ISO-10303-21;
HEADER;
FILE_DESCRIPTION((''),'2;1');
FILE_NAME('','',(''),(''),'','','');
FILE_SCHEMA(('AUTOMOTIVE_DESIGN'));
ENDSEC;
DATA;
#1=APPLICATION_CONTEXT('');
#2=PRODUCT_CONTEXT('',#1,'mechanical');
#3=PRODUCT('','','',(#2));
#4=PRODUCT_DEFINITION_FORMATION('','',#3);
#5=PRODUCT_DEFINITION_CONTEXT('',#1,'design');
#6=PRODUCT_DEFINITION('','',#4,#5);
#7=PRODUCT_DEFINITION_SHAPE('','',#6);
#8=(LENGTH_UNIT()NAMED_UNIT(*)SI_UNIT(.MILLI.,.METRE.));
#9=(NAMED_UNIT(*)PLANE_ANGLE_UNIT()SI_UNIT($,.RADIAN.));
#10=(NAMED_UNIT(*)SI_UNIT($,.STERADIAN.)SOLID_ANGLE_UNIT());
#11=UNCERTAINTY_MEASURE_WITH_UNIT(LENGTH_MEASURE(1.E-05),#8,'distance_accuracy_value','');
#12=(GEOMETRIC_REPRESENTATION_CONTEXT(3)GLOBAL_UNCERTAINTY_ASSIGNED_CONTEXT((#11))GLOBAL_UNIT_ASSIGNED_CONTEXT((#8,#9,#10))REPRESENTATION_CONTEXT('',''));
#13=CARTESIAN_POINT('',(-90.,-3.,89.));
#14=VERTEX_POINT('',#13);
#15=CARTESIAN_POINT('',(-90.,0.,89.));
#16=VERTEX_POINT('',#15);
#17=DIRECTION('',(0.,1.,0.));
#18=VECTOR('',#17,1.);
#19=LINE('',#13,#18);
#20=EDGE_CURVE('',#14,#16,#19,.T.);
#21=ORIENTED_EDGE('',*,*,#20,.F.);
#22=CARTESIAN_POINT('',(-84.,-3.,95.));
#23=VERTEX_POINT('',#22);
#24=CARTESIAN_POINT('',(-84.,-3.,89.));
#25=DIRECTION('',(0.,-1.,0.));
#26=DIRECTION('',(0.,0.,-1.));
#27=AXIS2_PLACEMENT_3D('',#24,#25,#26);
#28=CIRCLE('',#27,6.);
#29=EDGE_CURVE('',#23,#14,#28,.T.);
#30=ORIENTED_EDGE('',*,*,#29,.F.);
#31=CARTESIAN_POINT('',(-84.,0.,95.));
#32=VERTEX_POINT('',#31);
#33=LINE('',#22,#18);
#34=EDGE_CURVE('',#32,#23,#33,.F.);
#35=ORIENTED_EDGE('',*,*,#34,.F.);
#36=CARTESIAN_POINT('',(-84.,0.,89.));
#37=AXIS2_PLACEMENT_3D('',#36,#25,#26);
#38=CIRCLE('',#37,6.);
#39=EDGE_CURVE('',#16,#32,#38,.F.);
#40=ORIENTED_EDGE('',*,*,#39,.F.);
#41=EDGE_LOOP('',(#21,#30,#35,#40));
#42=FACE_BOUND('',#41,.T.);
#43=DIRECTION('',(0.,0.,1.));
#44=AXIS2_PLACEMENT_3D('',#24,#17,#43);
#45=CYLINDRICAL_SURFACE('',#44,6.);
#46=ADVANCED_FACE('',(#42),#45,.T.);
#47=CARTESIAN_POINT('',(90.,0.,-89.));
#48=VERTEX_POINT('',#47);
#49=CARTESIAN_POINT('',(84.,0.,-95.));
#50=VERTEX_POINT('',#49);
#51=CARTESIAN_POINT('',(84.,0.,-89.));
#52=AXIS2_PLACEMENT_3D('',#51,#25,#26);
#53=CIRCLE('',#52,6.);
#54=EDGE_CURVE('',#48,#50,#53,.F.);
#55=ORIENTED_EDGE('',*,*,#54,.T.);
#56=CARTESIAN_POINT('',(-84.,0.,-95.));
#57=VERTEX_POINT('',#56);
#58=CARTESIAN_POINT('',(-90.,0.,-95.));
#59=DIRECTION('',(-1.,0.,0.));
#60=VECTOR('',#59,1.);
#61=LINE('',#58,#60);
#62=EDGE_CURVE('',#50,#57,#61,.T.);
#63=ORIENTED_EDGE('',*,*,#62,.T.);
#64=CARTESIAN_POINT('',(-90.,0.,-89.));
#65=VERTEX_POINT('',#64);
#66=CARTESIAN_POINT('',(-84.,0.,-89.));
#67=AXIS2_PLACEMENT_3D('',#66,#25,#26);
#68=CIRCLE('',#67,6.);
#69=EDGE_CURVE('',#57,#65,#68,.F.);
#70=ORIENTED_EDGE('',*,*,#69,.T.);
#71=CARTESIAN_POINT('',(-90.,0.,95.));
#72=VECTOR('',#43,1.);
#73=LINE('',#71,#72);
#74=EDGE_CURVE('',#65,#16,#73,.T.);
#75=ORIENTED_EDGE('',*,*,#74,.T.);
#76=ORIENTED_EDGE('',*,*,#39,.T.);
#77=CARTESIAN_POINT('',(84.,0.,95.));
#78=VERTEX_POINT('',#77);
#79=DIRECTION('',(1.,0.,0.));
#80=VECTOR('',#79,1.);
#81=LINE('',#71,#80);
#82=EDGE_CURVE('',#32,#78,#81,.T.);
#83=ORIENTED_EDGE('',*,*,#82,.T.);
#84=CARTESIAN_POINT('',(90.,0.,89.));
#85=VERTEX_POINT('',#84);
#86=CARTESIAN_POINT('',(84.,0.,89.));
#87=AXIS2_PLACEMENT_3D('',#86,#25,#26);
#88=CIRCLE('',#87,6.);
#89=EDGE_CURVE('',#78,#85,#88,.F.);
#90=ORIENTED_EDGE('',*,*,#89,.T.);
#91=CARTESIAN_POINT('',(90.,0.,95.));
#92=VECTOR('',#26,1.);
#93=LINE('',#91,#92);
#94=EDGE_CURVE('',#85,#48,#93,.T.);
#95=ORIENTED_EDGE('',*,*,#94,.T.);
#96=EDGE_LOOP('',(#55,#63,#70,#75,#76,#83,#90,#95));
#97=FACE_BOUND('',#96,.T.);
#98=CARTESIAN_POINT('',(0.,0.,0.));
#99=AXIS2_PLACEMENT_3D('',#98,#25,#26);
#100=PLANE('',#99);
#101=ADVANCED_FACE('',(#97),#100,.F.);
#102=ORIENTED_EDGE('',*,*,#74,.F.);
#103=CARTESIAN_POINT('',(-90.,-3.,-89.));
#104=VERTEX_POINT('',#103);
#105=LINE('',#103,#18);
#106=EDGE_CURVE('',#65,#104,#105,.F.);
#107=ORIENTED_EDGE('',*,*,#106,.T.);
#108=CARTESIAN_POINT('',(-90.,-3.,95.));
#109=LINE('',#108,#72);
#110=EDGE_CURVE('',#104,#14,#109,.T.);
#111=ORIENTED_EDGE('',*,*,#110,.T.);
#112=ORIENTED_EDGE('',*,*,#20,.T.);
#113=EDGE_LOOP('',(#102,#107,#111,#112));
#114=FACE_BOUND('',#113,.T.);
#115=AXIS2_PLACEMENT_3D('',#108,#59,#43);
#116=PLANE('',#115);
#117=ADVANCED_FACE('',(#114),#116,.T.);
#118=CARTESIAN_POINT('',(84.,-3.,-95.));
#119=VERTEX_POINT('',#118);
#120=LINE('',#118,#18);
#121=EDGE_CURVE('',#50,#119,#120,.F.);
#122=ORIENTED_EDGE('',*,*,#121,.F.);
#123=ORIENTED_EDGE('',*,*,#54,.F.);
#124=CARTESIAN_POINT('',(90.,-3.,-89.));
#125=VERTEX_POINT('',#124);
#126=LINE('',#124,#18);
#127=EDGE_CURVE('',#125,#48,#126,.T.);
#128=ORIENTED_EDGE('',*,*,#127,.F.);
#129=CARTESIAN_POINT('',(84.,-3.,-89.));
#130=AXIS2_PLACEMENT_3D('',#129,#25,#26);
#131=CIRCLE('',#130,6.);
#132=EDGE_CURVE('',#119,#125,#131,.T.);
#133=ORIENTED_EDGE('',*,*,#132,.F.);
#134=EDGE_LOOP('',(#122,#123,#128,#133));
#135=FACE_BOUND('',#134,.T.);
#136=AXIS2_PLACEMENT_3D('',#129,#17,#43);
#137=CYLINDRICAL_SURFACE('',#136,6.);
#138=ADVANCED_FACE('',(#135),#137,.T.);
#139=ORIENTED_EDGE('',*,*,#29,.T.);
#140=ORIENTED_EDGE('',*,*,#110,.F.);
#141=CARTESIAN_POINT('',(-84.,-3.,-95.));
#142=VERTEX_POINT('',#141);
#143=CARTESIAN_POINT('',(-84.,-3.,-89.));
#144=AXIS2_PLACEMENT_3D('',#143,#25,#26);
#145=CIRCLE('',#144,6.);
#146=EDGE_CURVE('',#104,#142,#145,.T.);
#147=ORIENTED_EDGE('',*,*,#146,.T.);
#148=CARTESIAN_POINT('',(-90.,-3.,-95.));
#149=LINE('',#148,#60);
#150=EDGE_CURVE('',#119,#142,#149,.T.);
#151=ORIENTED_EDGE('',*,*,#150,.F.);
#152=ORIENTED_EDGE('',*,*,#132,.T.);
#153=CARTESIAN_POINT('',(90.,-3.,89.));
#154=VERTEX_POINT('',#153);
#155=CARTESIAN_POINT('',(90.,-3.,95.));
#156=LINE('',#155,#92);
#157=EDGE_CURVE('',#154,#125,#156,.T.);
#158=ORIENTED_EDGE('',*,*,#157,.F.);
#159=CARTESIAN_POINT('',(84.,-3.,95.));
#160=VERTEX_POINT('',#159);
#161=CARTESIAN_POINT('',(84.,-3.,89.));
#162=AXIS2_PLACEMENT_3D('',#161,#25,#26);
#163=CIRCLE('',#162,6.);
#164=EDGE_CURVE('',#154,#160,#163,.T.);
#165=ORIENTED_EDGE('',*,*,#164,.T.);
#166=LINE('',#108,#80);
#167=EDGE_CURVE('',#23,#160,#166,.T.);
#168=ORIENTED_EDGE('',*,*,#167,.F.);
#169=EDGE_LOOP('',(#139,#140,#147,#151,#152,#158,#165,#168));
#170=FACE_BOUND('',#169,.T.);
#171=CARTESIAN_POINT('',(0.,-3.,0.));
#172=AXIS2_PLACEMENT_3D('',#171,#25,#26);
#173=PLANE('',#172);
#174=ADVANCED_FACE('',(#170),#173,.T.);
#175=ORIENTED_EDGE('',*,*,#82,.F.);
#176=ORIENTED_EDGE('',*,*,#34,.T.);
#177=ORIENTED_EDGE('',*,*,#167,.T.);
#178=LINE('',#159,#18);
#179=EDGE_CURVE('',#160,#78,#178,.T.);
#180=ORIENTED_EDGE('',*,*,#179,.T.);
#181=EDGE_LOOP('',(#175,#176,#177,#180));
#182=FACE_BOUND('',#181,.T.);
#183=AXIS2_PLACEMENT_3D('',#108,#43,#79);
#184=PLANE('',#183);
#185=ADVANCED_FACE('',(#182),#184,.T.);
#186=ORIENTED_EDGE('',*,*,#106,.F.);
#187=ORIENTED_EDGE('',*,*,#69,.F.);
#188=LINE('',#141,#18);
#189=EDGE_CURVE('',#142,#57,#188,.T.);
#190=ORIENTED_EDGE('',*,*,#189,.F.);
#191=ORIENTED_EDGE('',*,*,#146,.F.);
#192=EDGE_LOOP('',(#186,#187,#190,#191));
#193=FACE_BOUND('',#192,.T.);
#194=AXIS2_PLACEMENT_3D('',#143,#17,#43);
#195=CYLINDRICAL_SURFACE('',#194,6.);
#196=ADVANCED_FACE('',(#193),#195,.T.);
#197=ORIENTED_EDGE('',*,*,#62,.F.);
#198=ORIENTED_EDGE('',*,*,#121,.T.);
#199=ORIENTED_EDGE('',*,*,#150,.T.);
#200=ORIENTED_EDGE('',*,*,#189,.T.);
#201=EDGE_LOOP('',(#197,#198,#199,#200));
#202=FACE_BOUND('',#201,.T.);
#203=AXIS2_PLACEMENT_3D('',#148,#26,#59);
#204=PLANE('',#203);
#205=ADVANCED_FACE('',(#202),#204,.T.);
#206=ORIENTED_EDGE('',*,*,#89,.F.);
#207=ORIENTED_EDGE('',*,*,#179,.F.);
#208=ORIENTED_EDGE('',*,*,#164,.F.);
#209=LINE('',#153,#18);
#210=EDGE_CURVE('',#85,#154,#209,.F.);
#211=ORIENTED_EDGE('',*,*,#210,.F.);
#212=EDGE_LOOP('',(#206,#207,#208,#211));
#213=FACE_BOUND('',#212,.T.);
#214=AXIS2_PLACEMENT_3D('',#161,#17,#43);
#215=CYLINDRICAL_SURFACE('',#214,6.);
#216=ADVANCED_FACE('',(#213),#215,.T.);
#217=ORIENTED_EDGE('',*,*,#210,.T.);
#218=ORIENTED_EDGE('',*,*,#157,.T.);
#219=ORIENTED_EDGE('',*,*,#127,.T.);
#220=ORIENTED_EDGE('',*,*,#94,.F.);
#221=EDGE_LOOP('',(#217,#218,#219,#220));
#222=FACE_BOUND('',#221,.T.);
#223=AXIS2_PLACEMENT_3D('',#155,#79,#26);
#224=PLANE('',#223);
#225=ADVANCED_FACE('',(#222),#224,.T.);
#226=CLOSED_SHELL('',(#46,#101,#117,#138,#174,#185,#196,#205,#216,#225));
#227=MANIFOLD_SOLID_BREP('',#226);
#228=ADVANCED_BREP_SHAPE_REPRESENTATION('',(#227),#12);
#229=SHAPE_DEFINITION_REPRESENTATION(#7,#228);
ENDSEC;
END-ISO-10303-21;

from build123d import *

# Parameters (mm, degrees)
SKETCH1_W           = 180
SKETCH1_H           = 190
BOSS_EXTRUDE1_DEPTH = 3
FILLET1_R           = 6


with BuildPart() as part:
    # Sketch1 → Boss-Extrude1 (new body)
    with BuildSketch(Plane(origin=(0, 0, 0), x_dir=(1, 0, 0), z_dir=(0, 1, 0))):
        Rectangle(SKETCH1_W, SKETCH1_H)
    extrude(amount=-BOSS_EXTRUDE1_DEPTH)

    # Fillet1
    fillet1_edges = [part.edges().sort_by_distance(p)[0] for p in [
        (90, -1.5, 95),
        (-90, -1.5, 95),
        (-90, -1.5, -95),
        (90, -1.5, -95),
    ]]
    fillet(fillet1_edges, radius=FILLET1_R)


solid = part.part
